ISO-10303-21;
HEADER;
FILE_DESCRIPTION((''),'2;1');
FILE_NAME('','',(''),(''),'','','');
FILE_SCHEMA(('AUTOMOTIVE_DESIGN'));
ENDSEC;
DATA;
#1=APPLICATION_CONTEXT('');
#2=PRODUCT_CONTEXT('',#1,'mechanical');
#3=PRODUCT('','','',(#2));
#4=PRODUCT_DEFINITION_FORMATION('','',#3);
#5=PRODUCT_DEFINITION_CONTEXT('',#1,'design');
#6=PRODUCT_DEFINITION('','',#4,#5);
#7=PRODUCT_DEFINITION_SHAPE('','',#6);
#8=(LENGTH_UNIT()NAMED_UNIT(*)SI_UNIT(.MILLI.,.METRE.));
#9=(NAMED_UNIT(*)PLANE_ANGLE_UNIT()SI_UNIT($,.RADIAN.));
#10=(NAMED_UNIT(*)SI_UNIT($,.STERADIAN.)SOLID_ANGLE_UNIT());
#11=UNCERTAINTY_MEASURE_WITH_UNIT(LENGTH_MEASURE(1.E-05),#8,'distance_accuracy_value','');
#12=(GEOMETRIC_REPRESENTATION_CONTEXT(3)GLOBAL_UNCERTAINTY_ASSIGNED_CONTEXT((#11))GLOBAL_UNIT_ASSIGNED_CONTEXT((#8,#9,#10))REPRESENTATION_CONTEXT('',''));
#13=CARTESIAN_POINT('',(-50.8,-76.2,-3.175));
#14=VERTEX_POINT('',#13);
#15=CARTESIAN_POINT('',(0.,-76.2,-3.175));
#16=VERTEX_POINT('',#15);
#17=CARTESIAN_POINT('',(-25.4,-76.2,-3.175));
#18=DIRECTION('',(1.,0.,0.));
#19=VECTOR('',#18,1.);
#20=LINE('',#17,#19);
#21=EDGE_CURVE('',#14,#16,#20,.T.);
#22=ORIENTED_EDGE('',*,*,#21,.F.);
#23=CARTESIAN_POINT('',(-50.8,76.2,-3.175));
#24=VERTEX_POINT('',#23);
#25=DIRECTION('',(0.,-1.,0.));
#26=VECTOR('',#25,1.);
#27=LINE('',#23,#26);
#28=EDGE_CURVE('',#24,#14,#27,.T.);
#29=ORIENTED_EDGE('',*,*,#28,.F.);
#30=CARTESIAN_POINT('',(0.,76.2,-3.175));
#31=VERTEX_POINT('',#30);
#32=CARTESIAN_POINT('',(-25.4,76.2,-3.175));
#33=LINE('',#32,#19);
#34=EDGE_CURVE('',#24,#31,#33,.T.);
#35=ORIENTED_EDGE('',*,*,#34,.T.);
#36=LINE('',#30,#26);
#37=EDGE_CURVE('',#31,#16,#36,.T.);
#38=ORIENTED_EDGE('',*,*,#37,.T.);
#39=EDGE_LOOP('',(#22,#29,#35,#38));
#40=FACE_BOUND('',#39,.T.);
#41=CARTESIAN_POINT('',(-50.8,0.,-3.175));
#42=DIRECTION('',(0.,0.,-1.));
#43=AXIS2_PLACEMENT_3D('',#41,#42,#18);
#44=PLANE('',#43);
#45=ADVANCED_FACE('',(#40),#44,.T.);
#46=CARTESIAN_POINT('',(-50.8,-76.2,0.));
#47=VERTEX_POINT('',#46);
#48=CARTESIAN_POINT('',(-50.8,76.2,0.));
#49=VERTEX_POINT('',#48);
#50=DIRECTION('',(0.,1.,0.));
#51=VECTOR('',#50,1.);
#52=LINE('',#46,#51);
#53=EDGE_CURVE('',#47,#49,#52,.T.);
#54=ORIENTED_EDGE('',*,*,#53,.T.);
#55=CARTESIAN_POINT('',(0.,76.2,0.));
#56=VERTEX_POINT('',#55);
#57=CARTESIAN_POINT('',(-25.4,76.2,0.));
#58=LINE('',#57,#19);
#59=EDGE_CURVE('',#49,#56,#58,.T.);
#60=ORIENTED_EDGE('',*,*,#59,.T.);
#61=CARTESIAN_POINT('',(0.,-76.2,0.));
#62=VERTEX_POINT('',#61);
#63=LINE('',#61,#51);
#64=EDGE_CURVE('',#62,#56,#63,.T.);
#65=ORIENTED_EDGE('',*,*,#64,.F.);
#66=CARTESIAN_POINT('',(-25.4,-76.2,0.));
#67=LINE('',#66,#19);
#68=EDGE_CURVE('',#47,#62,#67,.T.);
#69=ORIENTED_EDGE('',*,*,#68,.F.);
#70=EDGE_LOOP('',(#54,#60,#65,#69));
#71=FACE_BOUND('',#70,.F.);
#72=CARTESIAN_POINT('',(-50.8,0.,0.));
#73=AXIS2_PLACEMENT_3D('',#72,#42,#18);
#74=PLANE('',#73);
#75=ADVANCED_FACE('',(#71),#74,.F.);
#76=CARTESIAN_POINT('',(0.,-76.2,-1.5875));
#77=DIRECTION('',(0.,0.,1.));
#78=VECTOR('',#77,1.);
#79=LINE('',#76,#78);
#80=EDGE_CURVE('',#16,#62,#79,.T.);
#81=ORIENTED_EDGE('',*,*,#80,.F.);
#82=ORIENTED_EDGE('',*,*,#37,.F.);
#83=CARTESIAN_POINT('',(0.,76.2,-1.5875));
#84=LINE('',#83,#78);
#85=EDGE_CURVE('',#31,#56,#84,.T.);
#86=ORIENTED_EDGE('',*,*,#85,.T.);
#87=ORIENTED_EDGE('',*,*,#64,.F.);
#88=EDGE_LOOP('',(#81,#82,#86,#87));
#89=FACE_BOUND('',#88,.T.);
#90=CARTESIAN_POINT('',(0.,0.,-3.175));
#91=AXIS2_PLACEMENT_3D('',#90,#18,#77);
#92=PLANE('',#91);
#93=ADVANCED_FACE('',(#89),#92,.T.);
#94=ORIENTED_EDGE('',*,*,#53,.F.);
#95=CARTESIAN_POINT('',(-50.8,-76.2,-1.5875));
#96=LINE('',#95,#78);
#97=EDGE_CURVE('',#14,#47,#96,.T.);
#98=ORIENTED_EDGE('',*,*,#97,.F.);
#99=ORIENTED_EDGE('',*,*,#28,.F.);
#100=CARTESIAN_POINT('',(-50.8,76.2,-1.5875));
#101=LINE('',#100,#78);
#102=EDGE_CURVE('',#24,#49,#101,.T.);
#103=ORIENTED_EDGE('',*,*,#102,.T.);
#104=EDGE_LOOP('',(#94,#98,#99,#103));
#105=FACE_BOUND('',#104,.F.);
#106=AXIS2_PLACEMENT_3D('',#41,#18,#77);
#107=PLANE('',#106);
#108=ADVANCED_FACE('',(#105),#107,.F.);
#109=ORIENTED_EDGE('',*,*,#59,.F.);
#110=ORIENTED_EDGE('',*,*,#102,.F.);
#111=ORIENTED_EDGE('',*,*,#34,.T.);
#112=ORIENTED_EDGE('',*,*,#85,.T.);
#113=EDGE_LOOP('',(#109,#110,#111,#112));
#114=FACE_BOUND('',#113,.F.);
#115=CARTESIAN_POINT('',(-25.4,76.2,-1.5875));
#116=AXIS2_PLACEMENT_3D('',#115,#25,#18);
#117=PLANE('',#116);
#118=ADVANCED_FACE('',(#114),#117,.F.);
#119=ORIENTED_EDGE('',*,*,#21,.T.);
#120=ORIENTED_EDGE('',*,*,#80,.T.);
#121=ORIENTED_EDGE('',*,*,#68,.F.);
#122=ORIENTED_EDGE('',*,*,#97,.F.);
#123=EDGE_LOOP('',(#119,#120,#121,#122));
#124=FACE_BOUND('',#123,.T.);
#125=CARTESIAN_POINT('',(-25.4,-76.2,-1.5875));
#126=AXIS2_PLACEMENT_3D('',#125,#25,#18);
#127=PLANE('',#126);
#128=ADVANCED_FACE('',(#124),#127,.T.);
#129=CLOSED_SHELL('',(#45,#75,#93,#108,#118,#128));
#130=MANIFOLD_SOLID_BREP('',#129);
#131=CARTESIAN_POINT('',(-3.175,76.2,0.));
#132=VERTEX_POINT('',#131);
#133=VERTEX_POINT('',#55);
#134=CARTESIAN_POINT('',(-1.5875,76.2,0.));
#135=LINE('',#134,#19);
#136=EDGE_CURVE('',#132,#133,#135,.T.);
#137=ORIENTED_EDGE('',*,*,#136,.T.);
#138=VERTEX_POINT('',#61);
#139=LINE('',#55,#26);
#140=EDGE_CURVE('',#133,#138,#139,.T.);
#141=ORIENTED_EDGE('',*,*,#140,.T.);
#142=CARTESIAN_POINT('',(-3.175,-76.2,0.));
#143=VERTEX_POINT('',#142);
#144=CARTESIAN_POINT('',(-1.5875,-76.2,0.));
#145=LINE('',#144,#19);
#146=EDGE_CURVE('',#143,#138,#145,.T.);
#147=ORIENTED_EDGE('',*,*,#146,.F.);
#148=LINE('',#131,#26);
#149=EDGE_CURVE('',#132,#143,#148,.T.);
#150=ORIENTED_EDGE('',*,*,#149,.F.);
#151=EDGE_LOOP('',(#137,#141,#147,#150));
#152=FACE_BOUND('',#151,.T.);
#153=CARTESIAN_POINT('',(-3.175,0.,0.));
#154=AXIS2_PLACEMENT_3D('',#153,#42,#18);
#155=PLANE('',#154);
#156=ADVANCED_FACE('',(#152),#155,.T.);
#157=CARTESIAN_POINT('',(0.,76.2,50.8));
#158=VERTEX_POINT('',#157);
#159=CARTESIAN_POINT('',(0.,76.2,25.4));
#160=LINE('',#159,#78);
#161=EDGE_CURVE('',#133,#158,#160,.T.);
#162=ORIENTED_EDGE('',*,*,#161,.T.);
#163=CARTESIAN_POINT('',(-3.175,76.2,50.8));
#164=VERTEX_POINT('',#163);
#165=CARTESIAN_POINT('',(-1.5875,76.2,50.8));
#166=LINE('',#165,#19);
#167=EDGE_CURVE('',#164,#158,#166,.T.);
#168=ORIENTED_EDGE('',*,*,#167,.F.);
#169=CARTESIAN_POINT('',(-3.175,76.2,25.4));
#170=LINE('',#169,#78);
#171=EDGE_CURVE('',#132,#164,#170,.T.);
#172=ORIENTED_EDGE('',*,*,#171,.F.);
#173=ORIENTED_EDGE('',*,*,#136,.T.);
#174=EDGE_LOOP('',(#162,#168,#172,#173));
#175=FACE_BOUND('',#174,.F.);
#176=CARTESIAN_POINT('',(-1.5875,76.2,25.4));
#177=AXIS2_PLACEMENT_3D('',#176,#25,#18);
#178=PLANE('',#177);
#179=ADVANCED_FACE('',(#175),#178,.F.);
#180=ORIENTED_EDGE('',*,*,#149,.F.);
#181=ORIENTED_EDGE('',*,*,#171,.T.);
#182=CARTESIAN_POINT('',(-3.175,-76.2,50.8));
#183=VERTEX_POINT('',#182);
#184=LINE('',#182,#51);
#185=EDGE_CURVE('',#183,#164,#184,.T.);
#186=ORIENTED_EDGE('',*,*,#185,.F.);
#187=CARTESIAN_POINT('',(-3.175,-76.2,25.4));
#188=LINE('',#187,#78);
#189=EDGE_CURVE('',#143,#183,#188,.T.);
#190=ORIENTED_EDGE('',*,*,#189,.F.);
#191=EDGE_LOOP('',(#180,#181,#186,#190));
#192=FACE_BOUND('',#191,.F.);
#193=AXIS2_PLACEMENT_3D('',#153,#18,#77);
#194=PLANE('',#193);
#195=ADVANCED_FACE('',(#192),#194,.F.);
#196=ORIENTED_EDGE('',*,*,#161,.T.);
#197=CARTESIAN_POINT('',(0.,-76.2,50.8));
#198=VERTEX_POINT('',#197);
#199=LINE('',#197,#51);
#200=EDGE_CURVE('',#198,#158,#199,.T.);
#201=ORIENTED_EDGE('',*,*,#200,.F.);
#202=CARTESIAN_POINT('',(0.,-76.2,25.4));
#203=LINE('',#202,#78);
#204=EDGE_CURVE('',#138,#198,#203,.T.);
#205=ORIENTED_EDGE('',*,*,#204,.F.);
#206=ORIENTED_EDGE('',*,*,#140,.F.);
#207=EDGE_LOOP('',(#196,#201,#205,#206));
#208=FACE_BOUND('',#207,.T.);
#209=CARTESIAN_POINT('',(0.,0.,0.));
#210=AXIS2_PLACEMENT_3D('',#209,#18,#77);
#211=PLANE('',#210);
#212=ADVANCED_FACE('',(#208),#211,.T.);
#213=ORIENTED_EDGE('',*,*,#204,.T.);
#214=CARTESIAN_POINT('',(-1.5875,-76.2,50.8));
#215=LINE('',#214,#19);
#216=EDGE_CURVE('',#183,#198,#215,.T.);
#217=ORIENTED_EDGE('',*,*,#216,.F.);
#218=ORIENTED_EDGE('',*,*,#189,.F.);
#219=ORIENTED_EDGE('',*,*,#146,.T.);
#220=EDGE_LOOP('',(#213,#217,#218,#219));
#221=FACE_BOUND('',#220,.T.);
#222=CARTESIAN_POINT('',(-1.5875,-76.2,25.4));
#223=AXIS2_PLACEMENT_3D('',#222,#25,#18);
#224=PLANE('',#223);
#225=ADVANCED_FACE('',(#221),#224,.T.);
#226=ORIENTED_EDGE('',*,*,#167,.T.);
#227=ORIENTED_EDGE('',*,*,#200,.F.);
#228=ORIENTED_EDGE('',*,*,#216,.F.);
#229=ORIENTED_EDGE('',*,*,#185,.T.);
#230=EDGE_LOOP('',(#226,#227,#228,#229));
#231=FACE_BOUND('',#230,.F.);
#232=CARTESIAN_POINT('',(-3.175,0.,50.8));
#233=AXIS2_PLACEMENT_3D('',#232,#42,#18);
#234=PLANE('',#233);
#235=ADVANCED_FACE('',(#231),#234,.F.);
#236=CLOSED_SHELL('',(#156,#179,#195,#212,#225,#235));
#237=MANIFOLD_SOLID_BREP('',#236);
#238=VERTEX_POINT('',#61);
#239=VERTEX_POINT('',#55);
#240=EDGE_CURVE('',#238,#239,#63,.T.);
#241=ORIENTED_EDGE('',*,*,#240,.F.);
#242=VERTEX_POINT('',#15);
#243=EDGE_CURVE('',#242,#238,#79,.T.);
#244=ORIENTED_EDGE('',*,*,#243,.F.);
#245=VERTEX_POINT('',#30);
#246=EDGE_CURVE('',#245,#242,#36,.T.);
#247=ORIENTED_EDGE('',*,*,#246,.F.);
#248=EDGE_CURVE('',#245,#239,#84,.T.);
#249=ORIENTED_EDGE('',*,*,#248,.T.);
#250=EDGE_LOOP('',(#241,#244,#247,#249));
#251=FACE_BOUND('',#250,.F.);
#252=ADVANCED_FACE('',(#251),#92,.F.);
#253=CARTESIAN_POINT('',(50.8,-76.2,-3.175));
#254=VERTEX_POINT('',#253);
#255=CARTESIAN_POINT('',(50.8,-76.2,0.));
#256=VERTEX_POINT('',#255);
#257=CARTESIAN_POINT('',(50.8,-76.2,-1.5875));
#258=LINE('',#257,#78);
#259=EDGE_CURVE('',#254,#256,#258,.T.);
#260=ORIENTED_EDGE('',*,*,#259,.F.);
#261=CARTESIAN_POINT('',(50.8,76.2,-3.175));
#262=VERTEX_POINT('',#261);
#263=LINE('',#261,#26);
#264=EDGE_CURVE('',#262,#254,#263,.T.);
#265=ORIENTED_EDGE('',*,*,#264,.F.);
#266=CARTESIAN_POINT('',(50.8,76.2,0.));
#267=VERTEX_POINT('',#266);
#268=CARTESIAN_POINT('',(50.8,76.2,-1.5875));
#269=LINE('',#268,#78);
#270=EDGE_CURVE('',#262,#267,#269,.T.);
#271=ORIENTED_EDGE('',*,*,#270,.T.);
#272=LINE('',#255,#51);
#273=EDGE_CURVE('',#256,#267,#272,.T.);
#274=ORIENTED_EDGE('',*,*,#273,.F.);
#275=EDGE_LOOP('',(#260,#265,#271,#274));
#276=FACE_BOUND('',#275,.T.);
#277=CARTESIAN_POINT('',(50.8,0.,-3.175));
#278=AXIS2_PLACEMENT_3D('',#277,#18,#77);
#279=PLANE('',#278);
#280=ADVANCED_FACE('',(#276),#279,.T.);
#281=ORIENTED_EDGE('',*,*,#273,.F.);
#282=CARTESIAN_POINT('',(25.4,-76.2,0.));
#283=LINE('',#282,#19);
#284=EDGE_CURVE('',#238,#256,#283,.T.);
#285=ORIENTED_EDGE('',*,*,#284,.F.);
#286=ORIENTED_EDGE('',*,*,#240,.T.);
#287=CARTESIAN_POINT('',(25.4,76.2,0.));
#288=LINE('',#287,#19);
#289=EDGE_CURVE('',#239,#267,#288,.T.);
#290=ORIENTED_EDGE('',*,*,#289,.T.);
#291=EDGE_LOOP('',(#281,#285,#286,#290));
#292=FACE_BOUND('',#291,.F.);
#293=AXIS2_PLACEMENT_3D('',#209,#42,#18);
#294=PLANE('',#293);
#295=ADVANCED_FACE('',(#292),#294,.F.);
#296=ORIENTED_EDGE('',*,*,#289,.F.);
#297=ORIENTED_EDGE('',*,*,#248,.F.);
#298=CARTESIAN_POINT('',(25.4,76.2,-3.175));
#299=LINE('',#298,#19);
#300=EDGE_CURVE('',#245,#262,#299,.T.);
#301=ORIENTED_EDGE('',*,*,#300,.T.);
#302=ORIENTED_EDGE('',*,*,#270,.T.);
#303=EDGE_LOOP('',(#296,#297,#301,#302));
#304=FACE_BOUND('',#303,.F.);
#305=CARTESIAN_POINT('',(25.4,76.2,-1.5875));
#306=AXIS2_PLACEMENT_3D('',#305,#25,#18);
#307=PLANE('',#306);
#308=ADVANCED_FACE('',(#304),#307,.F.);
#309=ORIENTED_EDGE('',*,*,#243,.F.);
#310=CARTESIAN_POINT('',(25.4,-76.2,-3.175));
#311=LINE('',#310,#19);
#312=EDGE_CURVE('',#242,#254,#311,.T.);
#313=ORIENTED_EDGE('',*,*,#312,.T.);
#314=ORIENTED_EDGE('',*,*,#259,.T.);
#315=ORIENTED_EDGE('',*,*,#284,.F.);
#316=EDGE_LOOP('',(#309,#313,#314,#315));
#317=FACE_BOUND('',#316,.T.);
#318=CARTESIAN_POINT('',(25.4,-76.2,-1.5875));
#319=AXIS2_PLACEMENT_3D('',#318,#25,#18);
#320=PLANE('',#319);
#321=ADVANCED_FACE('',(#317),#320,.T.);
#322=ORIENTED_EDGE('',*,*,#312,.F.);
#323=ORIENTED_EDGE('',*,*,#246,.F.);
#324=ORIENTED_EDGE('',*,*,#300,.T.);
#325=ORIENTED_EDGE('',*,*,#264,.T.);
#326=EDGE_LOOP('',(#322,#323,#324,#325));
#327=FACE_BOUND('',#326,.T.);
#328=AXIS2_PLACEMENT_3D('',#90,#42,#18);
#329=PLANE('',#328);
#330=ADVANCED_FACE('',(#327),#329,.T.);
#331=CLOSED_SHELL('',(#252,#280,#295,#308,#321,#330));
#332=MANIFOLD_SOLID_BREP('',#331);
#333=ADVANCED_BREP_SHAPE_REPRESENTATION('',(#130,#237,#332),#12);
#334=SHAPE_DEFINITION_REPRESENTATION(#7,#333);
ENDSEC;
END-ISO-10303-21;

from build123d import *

# Parameters (mm, degrees)
F0_W     = 3.175
F0_H     = 50.8
F1_DEPTH = 76.2
F2_W     = 50.8
F2_H     = 3.175
F3_DEPTH = 76.2
F4_W     = 50.8
F4_H     = 3.175
F5_DEPTH = 76.2


with BuildPart() as f1:
    # F0 (on Front) → F1 (new body, symmetric)
    with BuildSketch(Plane.XZ):
        with Locations((-1.5875, 25.4)):
            Rectangle(F0_W, F0_H)
    extrude(amount=F1_DEPTH, both=True)


with BuildPart() as f3:
    # F2 (on Front) → F3 (new body, symmetric)
    with BuildSketch(Plane.XZ):
        with Locations((-25.4, -1.5875)):
            Rectangle(F2_W, F2_H)
    extrude(amount=F3_DEPTH, both=True)


with BuildPart() as f5:
    # F4 (on Front) → F5 (new body, symmetric)
    with BuildSketch(Plane.XZ):
        with Locations((25.4, -1.5875)):
            Rectangle(F4_W, F4_H)
    extrude(amount=F5_DEPTH, both=True)


solid = Compound([f1.part, f3.part, f5.part])
